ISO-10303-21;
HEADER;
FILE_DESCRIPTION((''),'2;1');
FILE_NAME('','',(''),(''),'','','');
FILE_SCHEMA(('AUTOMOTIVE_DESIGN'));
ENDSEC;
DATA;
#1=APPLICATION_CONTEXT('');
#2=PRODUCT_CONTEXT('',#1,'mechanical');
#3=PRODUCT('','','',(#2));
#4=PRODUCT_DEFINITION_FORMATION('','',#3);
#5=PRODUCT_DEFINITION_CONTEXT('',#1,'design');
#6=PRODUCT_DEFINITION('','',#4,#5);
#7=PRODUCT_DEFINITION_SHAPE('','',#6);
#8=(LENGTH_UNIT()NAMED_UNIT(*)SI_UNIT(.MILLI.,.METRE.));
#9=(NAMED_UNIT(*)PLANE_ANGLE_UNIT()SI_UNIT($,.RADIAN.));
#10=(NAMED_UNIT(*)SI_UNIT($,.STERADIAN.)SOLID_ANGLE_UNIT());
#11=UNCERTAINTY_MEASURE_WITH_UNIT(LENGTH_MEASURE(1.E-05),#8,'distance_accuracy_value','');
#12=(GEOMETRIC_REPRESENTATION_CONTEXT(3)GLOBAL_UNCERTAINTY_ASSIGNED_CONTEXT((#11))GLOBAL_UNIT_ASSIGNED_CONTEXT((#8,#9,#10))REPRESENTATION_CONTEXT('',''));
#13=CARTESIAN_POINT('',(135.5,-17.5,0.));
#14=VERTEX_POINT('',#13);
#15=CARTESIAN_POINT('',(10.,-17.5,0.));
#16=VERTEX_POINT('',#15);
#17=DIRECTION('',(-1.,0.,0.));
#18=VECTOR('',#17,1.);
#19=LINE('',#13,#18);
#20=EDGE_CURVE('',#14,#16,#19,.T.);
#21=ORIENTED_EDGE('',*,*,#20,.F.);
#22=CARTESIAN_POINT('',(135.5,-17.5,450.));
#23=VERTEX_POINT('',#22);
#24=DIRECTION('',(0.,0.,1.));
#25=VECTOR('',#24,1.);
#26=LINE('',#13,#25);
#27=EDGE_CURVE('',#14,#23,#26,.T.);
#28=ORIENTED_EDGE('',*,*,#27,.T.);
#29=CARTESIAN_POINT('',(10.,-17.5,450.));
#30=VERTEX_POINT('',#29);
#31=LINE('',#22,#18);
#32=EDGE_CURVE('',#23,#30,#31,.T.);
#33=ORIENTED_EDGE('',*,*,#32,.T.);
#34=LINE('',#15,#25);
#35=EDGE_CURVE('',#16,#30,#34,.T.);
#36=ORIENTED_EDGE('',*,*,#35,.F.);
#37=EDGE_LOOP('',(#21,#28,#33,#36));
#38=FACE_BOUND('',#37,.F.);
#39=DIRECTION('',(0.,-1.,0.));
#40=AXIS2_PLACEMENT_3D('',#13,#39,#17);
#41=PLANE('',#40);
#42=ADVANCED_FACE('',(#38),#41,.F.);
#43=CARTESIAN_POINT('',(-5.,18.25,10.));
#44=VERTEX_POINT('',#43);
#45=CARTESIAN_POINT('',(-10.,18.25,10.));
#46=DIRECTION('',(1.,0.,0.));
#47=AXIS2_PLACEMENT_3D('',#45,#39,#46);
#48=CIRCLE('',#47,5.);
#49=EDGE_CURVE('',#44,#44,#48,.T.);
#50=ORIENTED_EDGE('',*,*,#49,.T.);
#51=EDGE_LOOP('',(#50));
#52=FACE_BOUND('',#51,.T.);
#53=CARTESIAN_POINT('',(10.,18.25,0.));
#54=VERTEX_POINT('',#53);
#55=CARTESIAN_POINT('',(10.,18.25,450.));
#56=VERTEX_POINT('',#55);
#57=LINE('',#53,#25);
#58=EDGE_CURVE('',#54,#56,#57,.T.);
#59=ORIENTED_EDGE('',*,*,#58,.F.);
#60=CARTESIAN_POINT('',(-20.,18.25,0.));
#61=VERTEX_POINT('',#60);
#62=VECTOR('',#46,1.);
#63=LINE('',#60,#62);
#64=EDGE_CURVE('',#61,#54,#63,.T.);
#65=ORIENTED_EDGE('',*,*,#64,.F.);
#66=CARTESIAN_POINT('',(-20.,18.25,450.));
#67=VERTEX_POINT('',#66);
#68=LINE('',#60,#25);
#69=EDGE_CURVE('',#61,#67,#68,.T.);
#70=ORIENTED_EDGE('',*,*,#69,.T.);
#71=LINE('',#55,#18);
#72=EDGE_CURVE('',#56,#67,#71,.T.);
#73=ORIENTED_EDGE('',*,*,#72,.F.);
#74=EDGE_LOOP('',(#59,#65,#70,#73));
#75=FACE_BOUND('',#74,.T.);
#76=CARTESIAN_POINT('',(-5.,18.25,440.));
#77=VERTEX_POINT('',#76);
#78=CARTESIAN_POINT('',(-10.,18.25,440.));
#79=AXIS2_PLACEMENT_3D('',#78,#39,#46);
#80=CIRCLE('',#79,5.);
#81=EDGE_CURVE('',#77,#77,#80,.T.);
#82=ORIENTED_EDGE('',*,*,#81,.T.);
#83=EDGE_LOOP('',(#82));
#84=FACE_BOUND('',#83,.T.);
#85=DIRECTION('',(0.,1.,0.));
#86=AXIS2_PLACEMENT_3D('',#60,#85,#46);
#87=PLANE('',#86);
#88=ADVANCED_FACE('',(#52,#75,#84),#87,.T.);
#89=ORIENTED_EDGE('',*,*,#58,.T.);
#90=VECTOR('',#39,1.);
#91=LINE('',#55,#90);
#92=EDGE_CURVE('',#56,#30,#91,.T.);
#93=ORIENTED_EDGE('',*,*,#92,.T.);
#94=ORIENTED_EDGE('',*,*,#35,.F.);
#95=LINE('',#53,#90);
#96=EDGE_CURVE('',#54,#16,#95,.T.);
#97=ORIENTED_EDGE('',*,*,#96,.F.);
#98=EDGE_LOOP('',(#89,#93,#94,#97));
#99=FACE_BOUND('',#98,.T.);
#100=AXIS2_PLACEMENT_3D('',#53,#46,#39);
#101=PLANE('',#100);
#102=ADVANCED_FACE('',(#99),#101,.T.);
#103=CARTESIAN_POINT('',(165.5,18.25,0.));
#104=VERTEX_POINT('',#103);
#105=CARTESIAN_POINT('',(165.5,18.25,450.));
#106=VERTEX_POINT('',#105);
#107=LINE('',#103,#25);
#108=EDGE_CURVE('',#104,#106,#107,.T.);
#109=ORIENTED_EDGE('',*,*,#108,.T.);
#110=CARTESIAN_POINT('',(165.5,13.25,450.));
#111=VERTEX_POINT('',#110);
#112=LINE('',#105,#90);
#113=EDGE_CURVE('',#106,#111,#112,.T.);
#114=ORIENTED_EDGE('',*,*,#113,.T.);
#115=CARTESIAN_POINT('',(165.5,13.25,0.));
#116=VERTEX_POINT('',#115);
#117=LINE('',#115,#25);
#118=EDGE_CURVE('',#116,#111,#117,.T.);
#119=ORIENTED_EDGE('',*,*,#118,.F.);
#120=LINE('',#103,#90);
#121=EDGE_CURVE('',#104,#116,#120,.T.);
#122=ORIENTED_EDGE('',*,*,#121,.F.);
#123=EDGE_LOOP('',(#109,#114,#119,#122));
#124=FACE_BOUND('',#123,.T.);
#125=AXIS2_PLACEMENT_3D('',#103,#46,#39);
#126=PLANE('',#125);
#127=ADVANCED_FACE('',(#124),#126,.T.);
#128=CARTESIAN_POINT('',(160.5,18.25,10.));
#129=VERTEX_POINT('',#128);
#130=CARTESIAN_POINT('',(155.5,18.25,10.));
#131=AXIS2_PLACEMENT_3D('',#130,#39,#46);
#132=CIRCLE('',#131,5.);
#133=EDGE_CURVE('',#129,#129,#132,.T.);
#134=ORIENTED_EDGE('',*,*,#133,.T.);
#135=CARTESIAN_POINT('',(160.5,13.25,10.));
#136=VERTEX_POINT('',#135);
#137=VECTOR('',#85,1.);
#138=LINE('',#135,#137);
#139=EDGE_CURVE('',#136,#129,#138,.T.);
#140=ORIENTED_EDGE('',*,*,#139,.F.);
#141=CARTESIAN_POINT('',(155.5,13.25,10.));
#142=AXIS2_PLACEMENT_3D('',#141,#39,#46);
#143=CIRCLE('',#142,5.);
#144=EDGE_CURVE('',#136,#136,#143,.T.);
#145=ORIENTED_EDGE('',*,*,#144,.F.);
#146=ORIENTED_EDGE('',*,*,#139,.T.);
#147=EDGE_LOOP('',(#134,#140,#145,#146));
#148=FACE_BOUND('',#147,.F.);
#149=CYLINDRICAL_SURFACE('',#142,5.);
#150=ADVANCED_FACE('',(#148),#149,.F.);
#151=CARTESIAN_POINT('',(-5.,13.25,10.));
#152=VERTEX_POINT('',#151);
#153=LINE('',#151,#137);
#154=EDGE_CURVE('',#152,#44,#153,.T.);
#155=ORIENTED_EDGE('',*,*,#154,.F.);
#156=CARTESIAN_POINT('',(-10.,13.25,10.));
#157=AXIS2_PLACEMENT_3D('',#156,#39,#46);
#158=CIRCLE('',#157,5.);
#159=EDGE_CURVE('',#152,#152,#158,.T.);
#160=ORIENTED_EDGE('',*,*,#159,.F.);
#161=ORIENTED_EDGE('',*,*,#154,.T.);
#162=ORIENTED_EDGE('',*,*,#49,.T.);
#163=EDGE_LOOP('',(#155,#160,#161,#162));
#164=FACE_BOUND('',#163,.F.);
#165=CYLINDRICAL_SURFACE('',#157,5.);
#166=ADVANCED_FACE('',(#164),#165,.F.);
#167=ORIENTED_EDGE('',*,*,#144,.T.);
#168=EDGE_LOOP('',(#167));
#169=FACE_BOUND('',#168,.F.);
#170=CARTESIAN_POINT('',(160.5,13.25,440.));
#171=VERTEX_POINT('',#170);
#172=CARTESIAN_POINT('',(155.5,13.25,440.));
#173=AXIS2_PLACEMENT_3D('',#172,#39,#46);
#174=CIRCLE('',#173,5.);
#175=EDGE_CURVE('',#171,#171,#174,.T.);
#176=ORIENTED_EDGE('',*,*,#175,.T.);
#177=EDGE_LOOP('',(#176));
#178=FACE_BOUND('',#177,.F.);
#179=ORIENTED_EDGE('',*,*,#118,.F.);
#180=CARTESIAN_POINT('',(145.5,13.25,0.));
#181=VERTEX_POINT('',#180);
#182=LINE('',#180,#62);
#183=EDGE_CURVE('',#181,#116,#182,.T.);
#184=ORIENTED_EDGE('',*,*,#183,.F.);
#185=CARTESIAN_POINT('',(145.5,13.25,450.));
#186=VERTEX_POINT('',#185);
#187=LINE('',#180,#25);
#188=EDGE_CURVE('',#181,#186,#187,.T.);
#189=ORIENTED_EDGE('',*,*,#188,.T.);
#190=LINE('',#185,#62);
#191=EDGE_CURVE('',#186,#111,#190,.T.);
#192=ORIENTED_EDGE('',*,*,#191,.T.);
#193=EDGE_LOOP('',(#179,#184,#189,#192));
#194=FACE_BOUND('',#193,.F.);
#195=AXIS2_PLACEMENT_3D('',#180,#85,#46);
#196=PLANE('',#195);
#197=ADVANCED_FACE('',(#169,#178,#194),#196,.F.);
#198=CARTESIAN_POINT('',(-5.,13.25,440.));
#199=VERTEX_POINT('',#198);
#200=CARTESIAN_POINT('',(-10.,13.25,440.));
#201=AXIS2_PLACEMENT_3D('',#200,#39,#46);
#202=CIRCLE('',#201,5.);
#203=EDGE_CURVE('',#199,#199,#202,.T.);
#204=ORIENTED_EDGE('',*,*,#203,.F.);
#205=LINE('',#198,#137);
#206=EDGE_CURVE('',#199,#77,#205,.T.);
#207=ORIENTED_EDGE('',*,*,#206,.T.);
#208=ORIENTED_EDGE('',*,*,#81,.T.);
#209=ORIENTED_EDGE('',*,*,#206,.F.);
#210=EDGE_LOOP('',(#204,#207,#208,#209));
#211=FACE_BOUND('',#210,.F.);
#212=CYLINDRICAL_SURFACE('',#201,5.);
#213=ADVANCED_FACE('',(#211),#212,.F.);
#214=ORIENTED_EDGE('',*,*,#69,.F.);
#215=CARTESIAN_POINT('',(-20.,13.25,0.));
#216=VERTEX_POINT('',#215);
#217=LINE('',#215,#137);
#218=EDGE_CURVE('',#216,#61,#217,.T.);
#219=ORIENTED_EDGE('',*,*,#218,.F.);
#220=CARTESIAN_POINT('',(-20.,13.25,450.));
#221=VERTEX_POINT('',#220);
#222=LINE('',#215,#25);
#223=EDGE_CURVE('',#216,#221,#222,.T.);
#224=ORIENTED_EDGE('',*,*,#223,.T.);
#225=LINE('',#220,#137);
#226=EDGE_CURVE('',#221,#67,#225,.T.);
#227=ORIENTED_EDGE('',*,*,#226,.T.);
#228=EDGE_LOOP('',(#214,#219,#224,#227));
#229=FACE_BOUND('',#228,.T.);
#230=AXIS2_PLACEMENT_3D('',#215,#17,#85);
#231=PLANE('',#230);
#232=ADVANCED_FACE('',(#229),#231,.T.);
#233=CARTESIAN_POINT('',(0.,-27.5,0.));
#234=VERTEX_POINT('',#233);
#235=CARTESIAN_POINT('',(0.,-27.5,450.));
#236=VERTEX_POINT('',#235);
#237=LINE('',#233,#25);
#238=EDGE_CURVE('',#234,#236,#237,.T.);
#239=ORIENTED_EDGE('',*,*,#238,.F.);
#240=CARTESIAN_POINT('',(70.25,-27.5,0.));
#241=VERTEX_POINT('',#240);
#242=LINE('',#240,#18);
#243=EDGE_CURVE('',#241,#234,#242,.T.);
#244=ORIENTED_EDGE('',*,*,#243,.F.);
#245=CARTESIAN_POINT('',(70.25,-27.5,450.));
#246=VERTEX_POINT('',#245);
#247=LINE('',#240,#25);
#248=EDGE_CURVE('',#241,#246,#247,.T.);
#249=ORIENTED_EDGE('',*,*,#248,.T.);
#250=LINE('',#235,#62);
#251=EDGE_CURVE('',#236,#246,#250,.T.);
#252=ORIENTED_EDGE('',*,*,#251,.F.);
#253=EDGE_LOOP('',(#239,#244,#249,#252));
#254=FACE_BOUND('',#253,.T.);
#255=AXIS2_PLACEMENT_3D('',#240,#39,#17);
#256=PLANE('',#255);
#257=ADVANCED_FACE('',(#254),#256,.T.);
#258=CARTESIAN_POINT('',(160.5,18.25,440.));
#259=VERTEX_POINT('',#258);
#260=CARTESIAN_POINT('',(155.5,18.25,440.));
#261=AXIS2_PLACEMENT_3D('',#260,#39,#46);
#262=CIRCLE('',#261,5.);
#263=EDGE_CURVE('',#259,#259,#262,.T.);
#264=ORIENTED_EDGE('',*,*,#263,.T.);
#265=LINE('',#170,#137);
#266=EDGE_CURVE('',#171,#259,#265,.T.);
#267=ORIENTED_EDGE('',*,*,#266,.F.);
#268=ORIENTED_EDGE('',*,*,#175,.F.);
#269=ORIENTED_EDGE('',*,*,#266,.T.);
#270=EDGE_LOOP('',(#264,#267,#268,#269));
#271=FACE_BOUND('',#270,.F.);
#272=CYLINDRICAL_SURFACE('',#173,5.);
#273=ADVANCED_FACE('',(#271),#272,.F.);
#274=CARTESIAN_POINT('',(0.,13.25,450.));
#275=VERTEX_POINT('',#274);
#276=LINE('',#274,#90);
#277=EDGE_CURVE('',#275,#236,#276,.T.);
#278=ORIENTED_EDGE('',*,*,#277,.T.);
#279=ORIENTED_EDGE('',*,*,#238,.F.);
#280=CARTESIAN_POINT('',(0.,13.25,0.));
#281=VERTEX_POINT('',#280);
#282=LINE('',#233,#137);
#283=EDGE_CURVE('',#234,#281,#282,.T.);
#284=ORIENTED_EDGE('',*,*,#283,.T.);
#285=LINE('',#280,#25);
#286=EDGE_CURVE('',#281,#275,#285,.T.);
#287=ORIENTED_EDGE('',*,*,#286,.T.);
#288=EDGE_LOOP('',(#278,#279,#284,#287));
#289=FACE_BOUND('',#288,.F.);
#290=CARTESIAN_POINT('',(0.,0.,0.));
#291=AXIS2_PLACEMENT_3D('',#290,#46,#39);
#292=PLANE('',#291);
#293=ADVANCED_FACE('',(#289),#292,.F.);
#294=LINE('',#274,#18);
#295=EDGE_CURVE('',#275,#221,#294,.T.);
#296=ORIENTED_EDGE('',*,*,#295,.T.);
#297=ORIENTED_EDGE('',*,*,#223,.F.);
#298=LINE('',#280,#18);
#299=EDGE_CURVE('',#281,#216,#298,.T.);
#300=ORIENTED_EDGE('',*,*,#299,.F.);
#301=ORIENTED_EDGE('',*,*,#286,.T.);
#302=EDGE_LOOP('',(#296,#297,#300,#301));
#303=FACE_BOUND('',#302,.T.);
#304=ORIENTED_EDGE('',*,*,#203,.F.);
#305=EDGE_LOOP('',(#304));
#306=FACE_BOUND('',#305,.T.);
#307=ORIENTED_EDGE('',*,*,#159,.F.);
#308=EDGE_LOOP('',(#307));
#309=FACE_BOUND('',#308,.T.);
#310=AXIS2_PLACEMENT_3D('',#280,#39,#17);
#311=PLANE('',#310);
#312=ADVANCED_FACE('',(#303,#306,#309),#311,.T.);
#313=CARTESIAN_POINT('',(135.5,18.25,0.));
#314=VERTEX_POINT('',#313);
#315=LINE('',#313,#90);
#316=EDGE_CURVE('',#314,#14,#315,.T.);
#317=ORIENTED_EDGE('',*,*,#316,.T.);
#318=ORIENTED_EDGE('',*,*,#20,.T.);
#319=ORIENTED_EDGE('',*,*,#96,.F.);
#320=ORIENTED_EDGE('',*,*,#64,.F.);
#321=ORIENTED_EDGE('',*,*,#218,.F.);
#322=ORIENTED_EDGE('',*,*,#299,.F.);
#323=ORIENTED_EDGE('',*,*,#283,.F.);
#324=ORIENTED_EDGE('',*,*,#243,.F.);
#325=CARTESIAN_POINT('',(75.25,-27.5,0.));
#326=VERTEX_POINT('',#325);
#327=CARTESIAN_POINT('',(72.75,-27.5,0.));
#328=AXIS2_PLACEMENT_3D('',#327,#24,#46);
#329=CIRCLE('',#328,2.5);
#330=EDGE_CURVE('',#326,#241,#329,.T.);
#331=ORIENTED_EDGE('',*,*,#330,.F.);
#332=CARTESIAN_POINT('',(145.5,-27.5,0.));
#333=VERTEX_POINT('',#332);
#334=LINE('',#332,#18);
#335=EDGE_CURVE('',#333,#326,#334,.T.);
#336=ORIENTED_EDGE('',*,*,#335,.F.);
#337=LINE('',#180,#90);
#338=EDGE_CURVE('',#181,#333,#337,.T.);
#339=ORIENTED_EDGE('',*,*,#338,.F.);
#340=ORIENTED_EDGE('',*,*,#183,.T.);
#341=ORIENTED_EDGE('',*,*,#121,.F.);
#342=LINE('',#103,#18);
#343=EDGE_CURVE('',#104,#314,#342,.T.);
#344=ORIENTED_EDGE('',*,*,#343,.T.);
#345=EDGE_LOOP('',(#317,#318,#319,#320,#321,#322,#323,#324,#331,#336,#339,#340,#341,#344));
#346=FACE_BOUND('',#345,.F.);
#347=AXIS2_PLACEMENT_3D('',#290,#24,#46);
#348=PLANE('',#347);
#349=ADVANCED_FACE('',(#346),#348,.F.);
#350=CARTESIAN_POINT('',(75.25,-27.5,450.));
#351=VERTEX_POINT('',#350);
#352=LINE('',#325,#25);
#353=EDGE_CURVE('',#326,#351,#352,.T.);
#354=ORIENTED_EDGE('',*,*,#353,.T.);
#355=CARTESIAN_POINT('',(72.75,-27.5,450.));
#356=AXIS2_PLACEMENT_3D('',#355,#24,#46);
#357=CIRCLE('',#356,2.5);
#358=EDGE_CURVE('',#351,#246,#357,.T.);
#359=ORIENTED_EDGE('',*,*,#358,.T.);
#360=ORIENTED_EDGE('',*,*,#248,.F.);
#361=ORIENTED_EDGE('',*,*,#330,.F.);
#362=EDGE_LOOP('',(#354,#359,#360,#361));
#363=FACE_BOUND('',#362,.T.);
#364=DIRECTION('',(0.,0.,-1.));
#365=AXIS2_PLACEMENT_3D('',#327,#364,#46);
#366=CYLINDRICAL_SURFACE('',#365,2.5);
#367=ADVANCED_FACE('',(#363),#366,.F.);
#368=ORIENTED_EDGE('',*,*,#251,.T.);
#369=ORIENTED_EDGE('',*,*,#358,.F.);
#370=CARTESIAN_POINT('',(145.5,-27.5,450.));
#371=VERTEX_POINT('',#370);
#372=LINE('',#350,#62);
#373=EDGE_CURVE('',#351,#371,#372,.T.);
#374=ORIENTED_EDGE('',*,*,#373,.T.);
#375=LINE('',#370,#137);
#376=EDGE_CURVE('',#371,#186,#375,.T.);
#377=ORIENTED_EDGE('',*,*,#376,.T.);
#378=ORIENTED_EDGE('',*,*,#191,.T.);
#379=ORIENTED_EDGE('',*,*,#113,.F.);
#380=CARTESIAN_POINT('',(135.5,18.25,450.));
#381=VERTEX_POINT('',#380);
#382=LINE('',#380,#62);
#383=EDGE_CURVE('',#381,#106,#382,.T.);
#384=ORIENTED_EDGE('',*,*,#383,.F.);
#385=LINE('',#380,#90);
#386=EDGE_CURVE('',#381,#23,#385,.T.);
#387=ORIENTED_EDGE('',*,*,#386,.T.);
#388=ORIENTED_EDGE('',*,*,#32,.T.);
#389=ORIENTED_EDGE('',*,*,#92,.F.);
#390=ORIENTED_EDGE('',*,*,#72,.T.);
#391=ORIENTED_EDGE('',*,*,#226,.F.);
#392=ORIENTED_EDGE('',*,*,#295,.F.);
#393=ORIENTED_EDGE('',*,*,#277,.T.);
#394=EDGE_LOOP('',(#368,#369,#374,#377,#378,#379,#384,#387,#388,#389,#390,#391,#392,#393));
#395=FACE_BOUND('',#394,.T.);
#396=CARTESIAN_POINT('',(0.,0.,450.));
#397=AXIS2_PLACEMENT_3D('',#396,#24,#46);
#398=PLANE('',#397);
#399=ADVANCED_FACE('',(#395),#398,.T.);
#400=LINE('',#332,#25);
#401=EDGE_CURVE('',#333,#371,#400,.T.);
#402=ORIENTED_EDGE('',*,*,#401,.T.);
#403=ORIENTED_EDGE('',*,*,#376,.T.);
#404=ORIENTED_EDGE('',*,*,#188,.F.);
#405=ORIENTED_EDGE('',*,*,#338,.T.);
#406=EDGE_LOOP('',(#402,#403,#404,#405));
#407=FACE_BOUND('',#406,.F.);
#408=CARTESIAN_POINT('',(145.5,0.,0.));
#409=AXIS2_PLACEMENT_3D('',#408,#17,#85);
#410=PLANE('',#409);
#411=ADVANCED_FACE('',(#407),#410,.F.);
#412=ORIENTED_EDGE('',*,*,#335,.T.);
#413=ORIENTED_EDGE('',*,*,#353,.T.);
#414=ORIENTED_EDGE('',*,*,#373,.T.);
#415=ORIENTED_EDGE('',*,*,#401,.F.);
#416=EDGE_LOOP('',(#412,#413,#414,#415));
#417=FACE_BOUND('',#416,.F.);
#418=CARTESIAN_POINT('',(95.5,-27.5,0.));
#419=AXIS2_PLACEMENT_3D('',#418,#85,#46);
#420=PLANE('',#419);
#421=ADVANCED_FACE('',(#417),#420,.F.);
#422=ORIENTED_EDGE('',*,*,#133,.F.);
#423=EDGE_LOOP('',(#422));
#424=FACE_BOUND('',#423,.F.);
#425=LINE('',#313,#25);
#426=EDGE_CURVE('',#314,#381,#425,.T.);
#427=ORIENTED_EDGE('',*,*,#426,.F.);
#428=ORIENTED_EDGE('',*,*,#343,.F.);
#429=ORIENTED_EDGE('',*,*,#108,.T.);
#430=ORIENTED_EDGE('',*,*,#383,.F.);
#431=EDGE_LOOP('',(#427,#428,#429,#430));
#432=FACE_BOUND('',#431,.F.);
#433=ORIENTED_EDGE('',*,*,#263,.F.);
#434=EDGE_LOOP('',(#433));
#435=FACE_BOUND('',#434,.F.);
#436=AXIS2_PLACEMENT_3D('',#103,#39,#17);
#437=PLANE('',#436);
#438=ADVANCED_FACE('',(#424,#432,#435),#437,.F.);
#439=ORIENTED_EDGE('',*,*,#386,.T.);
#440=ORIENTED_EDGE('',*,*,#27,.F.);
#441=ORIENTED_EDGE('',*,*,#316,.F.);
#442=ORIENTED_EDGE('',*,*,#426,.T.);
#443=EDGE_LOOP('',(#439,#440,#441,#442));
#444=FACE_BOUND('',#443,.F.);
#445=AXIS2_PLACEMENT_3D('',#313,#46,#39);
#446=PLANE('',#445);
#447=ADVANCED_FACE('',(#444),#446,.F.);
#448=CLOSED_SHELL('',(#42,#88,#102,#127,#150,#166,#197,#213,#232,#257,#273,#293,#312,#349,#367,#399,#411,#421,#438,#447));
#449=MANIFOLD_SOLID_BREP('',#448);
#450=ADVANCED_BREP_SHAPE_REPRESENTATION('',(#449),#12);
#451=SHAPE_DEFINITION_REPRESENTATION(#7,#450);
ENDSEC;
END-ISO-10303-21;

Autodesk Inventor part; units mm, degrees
ref_plane "YZ Plane" through (0, 0, 0) normal (1, 0, 0) x (0, 1, 0)
ref_plane "XZ Plane" through (0, 0, 0) normal (0, 1, 0) x (-1, 0, 0)
ref_plane "XY Plane" through (0, 0, 0) normal (0, 0, 1) x (1, 0, 0)
sketch "Sketch1" plane through (0, 0, 0) normal (0, 0, 1) x (1, 0, 0)
  line L0 (165.5, 18.25) -> (165.5, 13.25)
  line L1 (95.5, -27.5) -> (75.25, -27.5)
  arc A0 (75.25, -27.5) -> (70.25, -27.5) centre (72.75, -27.5) ccw
  line L2 (70.25, -27.5) -> (50, -27.5)
  line L3 (145.5, 0) -> (145.5, 13.25)
  line L4 (145.5, 13.25) -> (165.5, 13.25)
  line L5 (0, 13.25) -> (0, 0)
  line L6 (0, 13.25) -> (-20, 13.25)
  line L7 (-20, 13.25) -> (-20, 18.25)
  line L8 (-20, 18.25) -> (0, 18.25)
  line L9 (0, 18.25) -> (10, 18.25)
  line L10 (10, 18.25) -> (10, -17.5)
  line L11 (165.5, 18.25) -> (145.5, 18.25)
  line L12 (145.5, 18.25) -> (135.5, 18.25)
  line L13 (135.5, 18.25) -> (135.5, -17.5)
  line L14 (135.5, -17.5) -> (10, -17.5)
  line L15 (0, 0) -> (0, -27.5)
  line L16 (0, -27.5) -> (50, -27.5)
  line L17 (95.5, -27.5) -> (145.5, -27.5)
  line L18 (145.5, -27.5) -> (145.5, 0)
  point P0 (0, 0)
  dimension "d0" = 10
  dimension "d1" = 35.75
  dimension "d2" = 10
extrude "Extrusion1" add sketch "Sketch1" along normal blind 450
sketch "Sketch2" plane through (-20, 13.25, 0) normal (0, -1, 0) x (1, 0, 0)
  line L0 (30, 450) -> (0, 450) projected
  line L1 (20, 0) -> (20, 450) projected
  line L2 (0, 450) -> (20, 450)
  line L3 (20, 450) -> (20, 430)
  line L4 (20, 430) -> (0, 430)
  line L5 (0, 430) -> (0, 450)
  circle A0 centre (10, 440) radius 5
  line L6 (185.5, 0) -> (185.5, 450) projected
  line L7 (185.5, 450) -> (165.5, 450)
  line L8 (165.5, 450) -> (165.5, 430)
  line L9 (165.5, 430) -> (185.5, 430)
  line L10 (185.5, 430) -> (185.5, 450)
  line L11 (185.5, 0) -> (155.5, 0) projected
  line L12 (185.5, 0) -> (165.5, 0)
  line L13 (165.5, 0) -> (165.5, 20)
  line L14 (165.5, 20) -> (185.5, 20)
  line L15 (185.5, 20) -> (185.5, 0)
  line L16 (0, 0) -> (0, 450) projected
  line L17 (0, 0) -> (20, 0)
  line L18 (20, 0) -> (20, 20)
  line L19 (20, 20) -> (0, 20)
  line L20 (0, 20) -> (0, 0)
  circle A1 centre (175.5, 440) radius 5
  circle A2 centre (175.5, 10) radius 5
  circle A3 centre (10, 10) radius 5
  dimension "d5" = 20
  dimension "d6" = 10
  dimension "d7" = 20
  dimension "d8" = 20
  dimension "d9" = 20
  dimension "d10" = 20
  dimension "d11" = 20
  dimension "d12" = 20
  dimension "d13" = 10
  dimension "d14" = 10
  dimension "d15" = 10
extrude "Extrusion2" cut sketch "Sketch2" against normal blind 450 contours A0 | A1 | A2 | A3
properties part number "SoporteMaterial"
